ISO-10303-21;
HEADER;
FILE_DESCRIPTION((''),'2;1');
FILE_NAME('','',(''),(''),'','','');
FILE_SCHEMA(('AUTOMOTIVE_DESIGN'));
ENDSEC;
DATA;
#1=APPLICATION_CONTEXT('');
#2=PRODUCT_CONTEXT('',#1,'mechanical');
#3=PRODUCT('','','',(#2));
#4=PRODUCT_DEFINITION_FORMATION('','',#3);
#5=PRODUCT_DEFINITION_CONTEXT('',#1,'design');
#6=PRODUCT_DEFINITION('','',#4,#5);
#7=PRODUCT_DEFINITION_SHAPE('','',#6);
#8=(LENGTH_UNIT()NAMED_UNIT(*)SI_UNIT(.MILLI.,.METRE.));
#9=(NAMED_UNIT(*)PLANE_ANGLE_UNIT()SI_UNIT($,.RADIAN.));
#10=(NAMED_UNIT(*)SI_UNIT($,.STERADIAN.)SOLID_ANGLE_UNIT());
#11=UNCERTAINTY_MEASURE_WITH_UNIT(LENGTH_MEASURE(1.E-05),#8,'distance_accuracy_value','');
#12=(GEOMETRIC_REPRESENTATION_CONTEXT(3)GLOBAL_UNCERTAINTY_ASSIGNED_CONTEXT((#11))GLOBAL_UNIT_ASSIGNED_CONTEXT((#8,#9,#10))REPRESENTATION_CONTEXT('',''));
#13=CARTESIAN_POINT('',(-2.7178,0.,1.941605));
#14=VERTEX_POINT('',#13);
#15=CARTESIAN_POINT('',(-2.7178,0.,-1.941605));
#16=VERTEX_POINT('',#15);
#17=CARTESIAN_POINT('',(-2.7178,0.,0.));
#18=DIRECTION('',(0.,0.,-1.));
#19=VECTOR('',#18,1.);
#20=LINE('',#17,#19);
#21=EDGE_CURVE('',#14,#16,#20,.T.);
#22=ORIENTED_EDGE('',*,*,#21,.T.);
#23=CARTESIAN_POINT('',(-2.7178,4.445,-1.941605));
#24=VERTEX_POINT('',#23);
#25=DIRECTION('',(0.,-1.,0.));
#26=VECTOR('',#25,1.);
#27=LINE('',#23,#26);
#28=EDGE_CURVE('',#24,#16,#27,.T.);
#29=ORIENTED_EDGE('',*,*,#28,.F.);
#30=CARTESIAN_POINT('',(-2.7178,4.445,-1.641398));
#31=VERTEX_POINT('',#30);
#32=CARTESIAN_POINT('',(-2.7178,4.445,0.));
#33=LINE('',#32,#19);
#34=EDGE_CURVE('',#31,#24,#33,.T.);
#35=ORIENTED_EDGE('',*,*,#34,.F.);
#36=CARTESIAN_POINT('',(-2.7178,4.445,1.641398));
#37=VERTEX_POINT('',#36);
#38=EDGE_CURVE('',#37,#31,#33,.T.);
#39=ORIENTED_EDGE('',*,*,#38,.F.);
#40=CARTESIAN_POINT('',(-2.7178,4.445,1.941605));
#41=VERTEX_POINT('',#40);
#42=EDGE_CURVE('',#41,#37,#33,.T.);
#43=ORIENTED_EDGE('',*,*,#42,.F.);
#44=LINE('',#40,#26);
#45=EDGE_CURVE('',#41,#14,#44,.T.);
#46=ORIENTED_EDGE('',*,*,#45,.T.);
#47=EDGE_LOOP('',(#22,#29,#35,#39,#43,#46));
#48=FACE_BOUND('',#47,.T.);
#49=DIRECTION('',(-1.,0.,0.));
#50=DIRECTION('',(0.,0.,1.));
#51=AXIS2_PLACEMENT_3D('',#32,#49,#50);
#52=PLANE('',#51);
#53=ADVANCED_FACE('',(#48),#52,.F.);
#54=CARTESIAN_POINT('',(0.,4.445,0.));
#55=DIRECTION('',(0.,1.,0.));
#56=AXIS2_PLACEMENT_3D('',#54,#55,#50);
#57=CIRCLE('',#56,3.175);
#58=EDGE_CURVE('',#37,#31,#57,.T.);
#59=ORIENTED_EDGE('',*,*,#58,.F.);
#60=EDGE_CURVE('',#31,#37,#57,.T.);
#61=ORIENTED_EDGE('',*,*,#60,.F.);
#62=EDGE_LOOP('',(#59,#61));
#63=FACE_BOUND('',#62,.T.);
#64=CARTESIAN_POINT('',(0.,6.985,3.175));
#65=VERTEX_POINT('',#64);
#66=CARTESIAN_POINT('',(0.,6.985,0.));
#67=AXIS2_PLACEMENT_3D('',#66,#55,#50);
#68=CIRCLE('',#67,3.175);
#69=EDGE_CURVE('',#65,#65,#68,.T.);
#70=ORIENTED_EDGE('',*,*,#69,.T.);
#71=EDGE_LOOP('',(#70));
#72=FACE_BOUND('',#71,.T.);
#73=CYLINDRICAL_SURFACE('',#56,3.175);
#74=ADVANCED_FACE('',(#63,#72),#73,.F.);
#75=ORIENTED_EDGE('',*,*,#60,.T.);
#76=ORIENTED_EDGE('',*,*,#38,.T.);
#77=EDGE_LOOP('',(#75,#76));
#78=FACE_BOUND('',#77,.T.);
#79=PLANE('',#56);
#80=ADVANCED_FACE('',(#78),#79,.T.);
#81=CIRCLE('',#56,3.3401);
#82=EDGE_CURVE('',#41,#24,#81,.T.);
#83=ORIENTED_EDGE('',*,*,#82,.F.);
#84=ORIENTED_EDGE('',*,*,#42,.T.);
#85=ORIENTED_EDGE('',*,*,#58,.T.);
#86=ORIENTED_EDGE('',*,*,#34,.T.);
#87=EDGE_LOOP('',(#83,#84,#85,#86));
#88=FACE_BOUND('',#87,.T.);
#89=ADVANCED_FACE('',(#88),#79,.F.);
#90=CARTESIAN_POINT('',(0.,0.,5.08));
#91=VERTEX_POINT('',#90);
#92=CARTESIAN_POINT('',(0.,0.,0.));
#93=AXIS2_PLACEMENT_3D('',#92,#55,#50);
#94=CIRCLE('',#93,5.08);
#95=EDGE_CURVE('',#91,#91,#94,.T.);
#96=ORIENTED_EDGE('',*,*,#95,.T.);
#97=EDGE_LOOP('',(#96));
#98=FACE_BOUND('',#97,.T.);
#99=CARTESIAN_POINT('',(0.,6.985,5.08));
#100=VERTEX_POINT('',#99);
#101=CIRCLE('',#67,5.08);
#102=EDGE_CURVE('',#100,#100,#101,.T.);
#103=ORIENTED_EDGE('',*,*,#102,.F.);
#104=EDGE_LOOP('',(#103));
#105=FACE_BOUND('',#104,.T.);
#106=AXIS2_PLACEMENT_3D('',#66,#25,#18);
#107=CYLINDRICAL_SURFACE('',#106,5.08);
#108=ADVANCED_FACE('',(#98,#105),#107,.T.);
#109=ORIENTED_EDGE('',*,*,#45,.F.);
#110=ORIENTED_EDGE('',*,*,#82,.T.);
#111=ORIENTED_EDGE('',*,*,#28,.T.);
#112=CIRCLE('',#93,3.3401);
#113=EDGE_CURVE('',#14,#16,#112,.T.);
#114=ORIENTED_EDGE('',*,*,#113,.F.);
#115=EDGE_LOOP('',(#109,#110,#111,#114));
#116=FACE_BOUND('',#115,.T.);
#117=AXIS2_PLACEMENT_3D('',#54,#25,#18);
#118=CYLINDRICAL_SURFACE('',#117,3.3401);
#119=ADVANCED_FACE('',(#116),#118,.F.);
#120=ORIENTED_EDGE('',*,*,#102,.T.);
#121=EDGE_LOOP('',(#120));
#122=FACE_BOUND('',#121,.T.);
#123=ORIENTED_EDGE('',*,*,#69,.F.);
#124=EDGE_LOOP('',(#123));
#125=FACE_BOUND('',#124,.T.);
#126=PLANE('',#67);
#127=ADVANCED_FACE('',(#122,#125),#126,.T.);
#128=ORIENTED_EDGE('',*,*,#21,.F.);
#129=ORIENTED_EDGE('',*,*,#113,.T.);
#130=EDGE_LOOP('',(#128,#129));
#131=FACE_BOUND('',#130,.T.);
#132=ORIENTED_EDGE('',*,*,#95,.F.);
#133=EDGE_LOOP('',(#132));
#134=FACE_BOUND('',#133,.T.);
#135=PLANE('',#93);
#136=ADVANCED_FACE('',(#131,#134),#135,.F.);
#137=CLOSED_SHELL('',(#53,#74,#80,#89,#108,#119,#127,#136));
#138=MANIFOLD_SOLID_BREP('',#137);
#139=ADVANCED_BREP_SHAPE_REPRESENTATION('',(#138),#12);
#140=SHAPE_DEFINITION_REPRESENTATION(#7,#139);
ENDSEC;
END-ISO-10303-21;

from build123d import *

# Parameters (mm, degrees)
SKETCH1_R           = 5.08
BOSS_EXTRUDE1_DEPTH = 6.985
CUT_EXTRUDE1_DEPTH  = 4.445
SKETCH3_R           = 3.175
CUT_EXTRUDE2_DEPTH  = 2.54


with BuildPart() as part:
    # Sketch1 → Boss-Extrude1 (new body)
    with BuildSketch(Plane(origin=(0, 0, 0), x_dir=(1, 0, 0), z_dir=(0, 1, 0))):
        Circle(SKETCH1_R)
    extrude(amount=BOSS_EXTRUDE1_DEPTH)

    # Sketch2 → Cut-Extrude1 (cut)
    with BuildSketch(Plane(origin=(0, 0, 0), x_dir=(1, 0, 0), z_dir=(0, 1, 0))):
        with BuildLine():
            Line((-2.7178, 1.941605307), (-2.7178, -1.941605307))
            ThreePointArc((-2.7178, -1.941605307), (1.019446965, -3.180722543), (3.3401, 0))
            ThreePointArc((3.3401, 0), (1.019446965, 3.180722543), (-2.7178, 1.941605307))
        make_face()
    extrude(amount=CUT_EXTRUDE1_DEPTH, mode=Mode.SUBTRACT)

    # Sketch3 → Cut-Extrude2 (cut)
    with BuildSketch(Plane(origin=(0, 6.985, 0), x_dir=(1, 0, 0), z_dir=(0, 1, 0))):
        Circle(SKETCH3_R)
    extrude(amount=-CUT_EXTRUDE2_DEPTH, mode=Mode.SUBTRACT)


solid = part.part
